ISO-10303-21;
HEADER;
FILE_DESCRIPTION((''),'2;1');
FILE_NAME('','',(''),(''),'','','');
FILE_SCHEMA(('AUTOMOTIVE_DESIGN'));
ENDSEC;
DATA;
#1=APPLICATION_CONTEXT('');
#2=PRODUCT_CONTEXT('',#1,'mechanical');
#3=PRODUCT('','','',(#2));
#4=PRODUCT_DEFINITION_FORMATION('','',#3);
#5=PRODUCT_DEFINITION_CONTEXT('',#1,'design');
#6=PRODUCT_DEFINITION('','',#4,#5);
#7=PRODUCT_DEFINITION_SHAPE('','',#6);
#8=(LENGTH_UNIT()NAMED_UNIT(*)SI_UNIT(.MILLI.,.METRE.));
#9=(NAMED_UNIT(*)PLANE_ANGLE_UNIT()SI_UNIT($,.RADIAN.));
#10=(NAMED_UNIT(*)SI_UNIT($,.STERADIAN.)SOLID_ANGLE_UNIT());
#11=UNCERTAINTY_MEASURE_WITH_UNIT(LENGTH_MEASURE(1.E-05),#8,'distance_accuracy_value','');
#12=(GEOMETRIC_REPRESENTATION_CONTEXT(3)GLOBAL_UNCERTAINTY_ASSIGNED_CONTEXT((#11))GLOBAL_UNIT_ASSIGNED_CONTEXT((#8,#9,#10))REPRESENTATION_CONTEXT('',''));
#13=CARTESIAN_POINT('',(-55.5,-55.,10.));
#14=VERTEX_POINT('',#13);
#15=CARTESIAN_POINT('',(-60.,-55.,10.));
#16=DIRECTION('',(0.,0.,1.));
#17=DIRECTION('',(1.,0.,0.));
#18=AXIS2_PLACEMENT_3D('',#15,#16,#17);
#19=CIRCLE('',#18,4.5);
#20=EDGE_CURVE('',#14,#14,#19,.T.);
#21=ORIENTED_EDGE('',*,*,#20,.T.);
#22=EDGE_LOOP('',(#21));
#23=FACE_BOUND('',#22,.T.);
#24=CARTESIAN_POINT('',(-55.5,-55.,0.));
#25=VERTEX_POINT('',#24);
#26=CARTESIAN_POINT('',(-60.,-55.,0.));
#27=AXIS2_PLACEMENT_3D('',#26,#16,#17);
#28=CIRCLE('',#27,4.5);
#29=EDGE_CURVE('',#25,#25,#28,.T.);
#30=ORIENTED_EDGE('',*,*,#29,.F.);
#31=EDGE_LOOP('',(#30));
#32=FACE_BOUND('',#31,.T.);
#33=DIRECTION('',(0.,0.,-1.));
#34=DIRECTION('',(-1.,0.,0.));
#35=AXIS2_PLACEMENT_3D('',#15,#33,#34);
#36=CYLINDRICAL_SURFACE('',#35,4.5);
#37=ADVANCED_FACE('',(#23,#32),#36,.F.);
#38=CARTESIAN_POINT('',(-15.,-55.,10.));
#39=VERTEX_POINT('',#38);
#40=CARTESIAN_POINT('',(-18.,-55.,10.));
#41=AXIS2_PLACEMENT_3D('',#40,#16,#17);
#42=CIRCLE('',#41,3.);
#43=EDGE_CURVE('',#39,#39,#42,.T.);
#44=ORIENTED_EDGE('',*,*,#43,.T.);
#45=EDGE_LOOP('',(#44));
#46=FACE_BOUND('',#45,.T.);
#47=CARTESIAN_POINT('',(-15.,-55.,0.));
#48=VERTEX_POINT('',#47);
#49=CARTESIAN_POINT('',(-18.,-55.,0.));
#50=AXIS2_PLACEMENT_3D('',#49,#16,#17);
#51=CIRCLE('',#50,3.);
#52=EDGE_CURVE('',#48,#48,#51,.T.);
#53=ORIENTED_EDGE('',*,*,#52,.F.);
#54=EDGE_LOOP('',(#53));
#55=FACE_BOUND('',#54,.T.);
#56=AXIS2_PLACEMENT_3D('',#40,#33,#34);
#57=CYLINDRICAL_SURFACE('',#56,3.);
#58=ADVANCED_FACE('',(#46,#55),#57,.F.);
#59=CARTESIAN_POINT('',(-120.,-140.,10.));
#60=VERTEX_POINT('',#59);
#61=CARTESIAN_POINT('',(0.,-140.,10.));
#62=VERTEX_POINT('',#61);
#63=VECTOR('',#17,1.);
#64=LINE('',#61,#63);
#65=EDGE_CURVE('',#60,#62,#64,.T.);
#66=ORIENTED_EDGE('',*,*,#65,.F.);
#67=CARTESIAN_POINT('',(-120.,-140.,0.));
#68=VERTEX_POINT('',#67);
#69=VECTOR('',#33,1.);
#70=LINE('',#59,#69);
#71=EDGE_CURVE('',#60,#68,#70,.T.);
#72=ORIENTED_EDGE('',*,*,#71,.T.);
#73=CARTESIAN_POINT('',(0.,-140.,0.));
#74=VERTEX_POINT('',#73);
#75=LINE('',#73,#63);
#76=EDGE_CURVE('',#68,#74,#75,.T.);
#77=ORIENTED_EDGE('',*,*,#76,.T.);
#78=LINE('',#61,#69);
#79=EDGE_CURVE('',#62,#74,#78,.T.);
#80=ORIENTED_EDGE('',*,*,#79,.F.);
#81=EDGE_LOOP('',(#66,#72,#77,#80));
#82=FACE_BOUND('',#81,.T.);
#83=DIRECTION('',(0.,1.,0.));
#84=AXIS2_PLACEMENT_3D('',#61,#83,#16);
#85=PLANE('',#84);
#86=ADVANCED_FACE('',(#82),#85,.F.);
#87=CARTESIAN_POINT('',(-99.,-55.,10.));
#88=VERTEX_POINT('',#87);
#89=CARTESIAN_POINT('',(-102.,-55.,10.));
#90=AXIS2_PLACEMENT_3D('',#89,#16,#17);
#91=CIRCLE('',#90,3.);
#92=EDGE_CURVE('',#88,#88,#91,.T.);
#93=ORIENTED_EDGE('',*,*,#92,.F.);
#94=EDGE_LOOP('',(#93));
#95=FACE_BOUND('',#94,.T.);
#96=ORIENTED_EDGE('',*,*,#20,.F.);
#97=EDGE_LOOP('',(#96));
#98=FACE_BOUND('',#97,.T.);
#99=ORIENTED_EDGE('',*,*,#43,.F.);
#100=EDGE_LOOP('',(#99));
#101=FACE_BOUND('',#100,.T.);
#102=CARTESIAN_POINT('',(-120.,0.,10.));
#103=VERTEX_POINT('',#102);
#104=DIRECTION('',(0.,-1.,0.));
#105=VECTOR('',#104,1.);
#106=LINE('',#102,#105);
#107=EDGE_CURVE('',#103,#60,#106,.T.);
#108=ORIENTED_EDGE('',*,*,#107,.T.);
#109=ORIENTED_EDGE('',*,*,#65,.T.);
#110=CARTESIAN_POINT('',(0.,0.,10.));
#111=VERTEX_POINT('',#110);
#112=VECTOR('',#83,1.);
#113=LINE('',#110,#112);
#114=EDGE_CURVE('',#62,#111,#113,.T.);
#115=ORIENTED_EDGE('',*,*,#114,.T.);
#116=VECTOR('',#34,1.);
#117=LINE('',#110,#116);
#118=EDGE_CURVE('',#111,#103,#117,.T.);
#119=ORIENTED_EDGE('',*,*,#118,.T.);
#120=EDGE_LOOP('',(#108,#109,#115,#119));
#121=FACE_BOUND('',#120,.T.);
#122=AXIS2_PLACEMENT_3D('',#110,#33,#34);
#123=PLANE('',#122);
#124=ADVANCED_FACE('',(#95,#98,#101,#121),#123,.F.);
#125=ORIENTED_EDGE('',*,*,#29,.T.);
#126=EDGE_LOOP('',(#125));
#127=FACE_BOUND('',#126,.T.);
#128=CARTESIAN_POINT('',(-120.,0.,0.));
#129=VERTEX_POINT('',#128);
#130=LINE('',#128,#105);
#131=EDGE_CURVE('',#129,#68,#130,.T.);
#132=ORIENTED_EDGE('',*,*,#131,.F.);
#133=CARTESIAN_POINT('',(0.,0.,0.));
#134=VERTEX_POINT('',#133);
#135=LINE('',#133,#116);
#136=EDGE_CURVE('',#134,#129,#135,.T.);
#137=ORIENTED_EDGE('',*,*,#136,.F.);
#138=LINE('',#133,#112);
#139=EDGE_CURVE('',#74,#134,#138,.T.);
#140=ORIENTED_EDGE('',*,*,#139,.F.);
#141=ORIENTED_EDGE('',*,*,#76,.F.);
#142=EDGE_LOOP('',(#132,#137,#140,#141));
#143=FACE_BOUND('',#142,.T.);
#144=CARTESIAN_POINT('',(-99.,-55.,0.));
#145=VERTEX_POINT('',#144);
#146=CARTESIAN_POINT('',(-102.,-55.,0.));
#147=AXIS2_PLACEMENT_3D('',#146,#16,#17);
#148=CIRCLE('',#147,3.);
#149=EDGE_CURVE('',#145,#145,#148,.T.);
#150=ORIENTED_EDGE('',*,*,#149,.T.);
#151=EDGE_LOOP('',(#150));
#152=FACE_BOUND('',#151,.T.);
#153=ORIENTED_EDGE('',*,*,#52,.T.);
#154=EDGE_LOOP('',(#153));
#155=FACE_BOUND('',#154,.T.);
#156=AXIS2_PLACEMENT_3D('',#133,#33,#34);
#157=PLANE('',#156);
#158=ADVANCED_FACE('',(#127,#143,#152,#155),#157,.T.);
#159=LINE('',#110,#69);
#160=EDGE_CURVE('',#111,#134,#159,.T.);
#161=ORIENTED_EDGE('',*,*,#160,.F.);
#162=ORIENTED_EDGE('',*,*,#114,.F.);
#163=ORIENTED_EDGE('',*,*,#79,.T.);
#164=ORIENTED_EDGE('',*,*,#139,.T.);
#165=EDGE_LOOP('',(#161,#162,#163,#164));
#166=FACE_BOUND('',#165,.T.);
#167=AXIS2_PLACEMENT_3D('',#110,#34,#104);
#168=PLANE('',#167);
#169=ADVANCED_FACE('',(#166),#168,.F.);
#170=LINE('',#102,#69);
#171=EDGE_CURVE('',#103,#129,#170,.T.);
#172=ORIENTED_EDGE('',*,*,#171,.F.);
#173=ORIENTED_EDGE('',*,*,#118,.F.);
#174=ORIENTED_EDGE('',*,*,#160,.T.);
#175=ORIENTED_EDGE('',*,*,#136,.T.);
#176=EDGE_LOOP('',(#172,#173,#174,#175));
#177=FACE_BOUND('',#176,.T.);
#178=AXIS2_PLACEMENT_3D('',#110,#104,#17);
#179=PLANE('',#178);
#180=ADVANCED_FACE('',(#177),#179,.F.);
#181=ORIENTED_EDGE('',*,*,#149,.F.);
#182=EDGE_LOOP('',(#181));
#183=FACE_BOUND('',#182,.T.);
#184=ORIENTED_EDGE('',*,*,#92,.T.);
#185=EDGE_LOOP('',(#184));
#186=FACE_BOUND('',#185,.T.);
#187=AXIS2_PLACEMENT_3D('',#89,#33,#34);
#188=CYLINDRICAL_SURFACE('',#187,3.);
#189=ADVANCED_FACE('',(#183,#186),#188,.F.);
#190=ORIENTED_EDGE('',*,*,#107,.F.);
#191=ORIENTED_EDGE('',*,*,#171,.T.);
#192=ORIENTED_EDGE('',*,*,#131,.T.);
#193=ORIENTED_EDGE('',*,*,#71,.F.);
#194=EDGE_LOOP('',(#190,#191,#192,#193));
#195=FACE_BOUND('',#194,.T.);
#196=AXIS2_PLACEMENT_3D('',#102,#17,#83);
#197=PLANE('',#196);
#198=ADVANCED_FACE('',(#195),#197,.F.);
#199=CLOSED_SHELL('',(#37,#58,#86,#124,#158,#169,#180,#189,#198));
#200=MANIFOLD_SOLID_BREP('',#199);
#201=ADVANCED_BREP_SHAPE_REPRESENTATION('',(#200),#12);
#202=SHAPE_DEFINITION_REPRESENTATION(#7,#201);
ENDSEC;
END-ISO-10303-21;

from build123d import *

# Parameters (mm, degrees)
SKETCH1_W           = 120
SKETCH1_H           = 140
SKETCH1_R           = 4.5
SKETCH1_R_2         = 3
BOSS_EXTRUDE1_DEPTH = 10


with BuildPart() as part:
    # Sketch1 → Boss-Extrude1 (new body)
    with BuildSketch(Plane.XY):
        with Locations((-60, -70)):
            Rectangle(SKETCH1_W, SKETCH1_H)
        with Locations((-60, -55)):
            Circle(SKETCH1_R, mode=Mode.SUBTRACT)
        with Locations((-102, -55)):
            Circle(SKETCH1_R_2, mode=Mode.SUBTRACT)
        with Locations((-18, -55)):
            Circle(SKETCH1_R_2, mode=Mode.SUBTRACT)
    extrude(amount=BOSS_EXTRUDE1_DEPTH)


solid = part.part
